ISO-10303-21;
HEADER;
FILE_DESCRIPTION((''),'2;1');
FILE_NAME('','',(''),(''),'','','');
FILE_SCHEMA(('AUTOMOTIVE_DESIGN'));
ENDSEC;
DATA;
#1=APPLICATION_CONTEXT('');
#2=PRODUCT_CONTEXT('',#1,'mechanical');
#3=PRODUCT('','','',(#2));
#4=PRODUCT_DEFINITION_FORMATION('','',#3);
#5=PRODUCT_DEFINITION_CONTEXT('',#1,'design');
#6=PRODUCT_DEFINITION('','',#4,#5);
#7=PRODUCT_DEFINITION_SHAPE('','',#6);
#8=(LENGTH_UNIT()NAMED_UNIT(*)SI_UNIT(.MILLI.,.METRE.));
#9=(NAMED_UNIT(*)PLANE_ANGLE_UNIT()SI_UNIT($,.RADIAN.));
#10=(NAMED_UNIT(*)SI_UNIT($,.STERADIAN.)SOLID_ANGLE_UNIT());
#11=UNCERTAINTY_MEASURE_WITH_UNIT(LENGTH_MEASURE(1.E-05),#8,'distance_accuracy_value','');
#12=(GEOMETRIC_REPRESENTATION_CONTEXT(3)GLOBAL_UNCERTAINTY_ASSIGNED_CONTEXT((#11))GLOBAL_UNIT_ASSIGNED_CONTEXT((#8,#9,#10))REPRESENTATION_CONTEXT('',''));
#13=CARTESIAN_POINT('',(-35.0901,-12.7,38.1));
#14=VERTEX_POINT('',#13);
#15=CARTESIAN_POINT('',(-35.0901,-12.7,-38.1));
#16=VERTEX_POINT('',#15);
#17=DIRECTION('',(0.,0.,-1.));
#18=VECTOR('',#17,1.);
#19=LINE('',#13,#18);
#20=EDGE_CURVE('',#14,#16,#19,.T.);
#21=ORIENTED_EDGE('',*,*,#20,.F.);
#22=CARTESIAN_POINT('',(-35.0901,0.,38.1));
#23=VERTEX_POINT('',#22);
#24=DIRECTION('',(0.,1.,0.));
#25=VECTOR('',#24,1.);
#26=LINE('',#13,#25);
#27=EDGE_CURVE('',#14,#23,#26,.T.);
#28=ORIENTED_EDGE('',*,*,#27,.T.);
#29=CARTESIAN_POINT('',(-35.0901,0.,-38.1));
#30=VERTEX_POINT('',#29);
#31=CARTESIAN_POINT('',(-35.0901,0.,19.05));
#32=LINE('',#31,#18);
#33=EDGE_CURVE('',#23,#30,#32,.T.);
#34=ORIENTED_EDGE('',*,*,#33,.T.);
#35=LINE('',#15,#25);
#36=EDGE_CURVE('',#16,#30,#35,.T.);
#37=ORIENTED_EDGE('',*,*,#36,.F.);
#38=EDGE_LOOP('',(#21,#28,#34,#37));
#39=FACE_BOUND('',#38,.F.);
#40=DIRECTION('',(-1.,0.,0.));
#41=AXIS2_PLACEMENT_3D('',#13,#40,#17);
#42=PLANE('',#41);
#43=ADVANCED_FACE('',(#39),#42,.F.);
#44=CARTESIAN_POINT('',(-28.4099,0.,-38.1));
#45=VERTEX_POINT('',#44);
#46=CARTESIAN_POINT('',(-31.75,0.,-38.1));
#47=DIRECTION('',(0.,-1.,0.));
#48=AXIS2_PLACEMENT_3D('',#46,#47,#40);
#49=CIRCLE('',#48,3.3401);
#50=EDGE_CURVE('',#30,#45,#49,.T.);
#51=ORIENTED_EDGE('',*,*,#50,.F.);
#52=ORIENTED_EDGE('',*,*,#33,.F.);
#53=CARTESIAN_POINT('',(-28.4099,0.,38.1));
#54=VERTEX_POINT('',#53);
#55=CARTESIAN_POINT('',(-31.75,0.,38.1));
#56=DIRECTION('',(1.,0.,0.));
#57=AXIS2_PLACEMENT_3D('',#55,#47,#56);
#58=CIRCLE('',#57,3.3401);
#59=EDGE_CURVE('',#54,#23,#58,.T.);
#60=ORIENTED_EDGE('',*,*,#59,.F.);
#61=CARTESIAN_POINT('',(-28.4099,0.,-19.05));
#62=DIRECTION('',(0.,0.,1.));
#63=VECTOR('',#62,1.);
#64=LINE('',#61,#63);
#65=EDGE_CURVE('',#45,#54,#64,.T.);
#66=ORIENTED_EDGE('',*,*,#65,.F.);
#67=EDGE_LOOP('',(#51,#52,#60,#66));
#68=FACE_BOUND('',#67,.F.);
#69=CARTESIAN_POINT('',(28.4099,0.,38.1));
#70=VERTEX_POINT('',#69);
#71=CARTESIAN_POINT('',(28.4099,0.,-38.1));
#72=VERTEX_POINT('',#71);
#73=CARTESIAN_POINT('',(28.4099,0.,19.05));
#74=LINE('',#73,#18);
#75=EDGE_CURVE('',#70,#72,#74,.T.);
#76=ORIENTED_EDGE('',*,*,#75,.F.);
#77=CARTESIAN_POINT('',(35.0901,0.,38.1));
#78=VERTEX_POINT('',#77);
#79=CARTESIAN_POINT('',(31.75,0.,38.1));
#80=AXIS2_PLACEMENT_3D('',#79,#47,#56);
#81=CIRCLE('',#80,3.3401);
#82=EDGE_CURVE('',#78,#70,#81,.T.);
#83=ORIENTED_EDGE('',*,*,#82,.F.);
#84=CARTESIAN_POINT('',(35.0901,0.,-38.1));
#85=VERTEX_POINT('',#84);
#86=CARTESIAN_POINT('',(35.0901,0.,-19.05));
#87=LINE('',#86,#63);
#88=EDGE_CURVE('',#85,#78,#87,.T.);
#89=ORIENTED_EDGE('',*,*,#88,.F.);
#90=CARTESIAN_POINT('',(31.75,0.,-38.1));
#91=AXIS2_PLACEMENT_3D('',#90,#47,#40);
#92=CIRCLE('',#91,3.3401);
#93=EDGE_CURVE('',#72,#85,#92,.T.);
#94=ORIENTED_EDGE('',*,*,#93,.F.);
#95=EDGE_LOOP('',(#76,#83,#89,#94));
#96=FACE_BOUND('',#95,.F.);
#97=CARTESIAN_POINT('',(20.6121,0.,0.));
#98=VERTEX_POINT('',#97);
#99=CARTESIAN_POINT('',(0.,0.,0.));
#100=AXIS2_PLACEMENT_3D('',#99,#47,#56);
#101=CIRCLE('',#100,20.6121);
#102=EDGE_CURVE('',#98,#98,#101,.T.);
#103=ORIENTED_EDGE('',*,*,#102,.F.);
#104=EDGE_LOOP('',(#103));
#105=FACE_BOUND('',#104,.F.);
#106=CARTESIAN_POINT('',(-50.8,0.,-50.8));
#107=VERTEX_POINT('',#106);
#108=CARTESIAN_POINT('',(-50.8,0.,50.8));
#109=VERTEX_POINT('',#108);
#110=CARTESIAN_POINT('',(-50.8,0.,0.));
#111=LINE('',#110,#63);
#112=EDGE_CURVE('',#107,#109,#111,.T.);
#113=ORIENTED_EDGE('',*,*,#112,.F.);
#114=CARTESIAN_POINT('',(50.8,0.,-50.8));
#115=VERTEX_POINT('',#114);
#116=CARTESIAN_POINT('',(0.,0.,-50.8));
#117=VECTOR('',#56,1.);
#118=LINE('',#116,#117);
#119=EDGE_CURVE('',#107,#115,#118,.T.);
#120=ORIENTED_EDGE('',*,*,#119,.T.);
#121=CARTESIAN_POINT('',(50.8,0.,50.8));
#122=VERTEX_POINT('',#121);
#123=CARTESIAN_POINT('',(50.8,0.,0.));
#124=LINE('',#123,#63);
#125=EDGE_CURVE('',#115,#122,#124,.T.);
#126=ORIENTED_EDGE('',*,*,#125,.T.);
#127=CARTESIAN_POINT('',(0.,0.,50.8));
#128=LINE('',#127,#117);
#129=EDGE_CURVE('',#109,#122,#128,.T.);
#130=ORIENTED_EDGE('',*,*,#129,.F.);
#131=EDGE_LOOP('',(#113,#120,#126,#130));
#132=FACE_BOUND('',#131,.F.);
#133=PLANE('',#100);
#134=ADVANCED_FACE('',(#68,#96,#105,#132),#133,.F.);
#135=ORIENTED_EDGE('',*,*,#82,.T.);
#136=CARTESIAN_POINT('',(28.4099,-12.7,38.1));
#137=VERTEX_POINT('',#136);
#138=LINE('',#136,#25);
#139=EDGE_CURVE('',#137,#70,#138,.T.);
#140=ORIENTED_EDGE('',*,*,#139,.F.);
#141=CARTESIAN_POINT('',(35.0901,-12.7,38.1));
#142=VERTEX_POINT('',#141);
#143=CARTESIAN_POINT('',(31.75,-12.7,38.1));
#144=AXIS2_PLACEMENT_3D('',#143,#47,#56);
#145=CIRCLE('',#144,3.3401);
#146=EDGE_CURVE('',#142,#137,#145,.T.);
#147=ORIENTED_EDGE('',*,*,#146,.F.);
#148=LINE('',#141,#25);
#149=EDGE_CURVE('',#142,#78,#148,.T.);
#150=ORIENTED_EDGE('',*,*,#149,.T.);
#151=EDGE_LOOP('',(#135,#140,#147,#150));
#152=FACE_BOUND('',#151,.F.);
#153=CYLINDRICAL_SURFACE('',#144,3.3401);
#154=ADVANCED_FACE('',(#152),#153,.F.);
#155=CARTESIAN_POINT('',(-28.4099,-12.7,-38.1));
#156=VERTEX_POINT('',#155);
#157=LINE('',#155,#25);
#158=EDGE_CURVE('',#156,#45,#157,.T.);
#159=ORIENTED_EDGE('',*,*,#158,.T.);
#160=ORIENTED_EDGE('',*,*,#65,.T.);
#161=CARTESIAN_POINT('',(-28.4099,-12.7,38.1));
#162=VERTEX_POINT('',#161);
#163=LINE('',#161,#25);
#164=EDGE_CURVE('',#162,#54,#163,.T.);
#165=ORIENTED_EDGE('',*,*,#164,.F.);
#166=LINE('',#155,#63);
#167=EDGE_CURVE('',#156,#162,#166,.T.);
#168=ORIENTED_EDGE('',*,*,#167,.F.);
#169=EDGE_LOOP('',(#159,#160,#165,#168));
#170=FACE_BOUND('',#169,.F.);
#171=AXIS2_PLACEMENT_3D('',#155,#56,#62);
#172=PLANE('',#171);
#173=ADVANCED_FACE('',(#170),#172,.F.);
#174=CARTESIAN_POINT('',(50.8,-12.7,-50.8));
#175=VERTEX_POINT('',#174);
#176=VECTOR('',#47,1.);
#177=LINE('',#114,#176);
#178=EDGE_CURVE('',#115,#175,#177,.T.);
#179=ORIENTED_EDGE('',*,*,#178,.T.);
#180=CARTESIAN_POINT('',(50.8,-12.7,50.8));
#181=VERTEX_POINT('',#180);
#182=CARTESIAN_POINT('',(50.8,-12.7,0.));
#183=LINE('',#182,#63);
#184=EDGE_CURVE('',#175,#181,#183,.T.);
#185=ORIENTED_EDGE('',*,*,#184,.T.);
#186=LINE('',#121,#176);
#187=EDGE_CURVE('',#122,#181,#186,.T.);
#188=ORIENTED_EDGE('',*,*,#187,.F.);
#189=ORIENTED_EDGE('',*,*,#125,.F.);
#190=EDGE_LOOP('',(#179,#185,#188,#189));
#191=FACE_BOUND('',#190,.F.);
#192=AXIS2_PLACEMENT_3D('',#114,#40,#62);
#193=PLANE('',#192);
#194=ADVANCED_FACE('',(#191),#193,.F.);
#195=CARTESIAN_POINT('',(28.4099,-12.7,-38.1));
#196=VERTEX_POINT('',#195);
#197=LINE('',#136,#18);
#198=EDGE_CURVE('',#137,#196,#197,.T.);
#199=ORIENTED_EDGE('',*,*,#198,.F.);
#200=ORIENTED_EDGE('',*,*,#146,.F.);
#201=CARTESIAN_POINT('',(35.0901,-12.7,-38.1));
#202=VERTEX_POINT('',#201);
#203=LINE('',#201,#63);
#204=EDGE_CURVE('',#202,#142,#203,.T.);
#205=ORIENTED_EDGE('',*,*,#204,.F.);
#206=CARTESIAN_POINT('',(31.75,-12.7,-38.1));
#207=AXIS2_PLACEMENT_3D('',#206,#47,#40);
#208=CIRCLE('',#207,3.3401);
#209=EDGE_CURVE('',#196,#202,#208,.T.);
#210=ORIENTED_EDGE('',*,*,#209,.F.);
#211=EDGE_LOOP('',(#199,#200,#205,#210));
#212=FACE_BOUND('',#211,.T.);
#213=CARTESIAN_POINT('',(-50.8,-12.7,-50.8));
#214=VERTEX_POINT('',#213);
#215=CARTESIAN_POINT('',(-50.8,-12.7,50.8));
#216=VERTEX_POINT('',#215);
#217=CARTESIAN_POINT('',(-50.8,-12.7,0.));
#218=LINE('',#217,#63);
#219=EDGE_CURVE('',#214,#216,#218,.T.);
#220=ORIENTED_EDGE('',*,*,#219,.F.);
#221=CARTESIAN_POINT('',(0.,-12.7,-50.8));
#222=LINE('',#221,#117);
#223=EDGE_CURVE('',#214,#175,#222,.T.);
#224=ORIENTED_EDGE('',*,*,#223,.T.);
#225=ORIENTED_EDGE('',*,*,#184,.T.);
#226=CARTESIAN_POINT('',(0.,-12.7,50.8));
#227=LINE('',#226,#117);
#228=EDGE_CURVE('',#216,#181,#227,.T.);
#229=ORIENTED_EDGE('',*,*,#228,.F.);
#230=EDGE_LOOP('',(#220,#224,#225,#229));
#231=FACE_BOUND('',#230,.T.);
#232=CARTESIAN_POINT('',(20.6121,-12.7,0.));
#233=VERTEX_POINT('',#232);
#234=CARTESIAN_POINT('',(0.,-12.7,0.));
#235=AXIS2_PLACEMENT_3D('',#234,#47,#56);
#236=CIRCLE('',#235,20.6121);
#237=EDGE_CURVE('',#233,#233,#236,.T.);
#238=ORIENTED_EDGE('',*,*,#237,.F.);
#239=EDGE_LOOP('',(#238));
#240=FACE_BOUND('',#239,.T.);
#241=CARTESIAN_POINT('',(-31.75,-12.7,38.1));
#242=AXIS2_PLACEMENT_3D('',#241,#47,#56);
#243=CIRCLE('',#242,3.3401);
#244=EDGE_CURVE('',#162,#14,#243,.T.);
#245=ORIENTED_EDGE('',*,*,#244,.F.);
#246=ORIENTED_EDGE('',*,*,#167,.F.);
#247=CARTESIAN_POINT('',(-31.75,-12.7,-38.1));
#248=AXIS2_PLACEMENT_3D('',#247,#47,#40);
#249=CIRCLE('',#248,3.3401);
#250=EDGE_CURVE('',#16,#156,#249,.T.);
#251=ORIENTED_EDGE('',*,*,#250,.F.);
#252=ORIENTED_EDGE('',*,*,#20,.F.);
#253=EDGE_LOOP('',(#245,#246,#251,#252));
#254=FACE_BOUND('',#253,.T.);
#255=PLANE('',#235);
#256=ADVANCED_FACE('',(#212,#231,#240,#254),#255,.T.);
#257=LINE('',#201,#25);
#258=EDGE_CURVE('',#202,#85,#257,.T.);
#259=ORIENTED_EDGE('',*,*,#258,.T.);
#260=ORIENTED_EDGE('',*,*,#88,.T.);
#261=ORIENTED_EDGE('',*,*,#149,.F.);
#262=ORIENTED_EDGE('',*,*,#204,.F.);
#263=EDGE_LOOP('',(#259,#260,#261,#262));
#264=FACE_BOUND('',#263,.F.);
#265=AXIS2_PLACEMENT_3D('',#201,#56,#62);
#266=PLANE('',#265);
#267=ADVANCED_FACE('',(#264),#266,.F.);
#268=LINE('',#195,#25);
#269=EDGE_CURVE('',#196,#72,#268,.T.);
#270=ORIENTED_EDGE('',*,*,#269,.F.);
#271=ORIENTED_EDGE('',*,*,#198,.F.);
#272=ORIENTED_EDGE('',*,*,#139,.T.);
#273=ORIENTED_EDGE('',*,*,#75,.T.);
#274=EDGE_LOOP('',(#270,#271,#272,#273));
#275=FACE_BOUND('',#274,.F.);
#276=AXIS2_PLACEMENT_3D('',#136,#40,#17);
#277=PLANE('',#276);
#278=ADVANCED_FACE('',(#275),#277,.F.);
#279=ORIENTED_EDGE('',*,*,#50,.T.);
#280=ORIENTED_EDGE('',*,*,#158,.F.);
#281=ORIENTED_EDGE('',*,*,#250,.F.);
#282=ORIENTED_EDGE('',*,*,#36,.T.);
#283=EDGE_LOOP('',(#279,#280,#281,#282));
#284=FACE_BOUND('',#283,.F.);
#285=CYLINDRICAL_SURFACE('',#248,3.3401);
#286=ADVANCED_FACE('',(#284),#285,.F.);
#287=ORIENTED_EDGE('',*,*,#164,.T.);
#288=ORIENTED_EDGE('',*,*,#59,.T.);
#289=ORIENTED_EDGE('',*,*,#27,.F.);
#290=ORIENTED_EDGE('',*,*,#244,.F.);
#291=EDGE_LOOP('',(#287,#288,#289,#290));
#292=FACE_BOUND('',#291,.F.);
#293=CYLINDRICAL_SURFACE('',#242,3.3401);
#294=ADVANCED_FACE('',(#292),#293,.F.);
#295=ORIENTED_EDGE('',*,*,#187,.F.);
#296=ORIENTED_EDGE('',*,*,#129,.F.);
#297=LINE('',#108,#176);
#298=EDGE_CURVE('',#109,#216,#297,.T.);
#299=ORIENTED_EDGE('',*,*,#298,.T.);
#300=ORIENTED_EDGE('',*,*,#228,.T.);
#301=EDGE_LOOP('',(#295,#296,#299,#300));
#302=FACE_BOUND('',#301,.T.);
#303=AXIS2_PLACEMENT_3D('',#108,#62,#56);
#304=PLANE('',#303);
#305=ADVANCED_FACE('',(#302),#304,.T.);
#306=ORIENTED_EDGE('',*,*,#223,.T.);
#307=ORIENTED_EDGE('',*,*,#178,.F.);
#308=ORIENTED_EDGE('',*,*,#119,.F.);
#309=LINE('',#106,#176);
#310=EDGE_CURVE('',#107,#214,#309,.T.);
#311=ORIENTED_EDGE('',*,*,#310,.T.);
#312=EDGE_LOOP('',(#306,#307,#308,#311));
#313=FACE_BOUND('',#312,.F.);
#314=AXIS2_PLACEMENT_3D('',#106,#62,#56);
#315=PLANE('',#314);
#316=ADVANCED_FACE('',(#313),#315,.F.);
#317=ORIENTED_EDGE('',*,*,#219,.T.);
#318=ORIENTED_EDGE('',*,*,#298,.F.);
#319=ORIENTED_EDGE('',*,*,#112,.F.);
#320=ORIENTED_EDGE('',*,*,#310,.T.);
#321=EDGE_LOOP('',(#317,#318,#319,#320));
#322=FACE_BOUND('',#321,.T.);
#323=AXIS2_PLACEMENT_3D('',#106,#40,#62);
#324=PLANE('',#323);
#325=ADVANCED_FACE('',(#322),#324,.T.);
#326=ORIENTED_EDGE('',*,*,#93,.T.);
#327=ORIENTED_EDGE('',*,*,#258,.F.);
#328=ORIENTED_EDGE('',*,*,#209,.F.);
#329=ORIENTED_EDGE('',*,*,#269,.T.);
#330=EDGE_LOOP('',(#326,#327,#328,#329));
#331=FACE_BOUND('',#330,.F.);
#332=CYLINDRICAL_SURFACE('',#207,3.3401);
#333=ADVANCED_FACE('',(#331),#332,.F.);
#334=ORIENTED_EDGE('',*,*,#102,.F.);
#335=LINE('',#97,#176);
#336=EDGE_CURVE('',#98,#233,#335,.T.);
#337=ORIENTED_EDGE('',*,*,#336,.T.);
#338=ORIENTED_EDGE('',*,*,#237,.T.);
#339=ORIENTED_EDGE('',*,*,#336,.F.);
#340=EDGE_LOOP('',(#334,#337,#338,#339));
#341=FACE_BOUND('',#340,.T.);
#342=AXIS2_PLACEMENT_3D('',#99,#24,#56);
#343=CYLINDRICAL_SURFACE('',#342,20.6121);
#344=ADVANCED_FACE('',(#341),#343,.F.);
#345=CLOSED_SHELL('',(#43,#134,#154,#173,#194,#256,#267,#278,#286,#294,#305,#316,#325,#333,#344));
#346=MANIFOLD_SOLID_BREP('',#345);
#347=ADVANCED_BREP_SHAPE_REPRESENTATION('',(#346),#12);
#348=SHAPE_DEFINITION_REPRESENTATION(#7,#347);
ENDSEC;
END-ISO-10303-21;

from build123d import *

# Parameters (mm, degrees)
F0_W     = 101.6
F0_H     = 101.6
F0_R     = 20.6121
F1_DEPTH = 12.7
F3_DEPTH = 12.701


with BuildPart() as f1:
    # F0 (on Front) → F1 (new body)
    with BuildSketch(Plane.XZ):
        Rectangle(F0_W, F0_H)
        Circle(F0_R, mode=Mode.SUBTRACT)
    extrude(amount=F1_DEPTH)

    # F2 (on face) → F3 (cut, through all)
    with BuildSketch(Plane.XZ.offset(12.7)):
        with BuildLine():
            Line((35.0901, -38.1), (35.0901, 38.1))
            ThreePointArc((35.0901, 38.1), (31.75, 41.4401), (28.4099, 38.1))
            Line((28.4099, 38.1), (28.4099, -38.1))
            ThreePointArc((28.4099, -38.1), (31.75, -41.4401), (35.0901, -38.1))
        make_face()
        with BuildLine():
            Line((-28.4099, -38.1), (-28.4099, 38.1))
            ThreePointArc((-28.4099, 38.1), (-31.75, 41.4401), (-35.0901, 38.1))
            Line((-35.0901, 38.1), (-35.0901, -38.1))
            ThreePointArc((-35.0901, -38.1), (-31.75, -41.4401), (-28.4099, -38.1))
        make_face()
    extrude(amount=-F3_DEPTH, mode=Mode.SUBTRACT)


solid = f1.part
